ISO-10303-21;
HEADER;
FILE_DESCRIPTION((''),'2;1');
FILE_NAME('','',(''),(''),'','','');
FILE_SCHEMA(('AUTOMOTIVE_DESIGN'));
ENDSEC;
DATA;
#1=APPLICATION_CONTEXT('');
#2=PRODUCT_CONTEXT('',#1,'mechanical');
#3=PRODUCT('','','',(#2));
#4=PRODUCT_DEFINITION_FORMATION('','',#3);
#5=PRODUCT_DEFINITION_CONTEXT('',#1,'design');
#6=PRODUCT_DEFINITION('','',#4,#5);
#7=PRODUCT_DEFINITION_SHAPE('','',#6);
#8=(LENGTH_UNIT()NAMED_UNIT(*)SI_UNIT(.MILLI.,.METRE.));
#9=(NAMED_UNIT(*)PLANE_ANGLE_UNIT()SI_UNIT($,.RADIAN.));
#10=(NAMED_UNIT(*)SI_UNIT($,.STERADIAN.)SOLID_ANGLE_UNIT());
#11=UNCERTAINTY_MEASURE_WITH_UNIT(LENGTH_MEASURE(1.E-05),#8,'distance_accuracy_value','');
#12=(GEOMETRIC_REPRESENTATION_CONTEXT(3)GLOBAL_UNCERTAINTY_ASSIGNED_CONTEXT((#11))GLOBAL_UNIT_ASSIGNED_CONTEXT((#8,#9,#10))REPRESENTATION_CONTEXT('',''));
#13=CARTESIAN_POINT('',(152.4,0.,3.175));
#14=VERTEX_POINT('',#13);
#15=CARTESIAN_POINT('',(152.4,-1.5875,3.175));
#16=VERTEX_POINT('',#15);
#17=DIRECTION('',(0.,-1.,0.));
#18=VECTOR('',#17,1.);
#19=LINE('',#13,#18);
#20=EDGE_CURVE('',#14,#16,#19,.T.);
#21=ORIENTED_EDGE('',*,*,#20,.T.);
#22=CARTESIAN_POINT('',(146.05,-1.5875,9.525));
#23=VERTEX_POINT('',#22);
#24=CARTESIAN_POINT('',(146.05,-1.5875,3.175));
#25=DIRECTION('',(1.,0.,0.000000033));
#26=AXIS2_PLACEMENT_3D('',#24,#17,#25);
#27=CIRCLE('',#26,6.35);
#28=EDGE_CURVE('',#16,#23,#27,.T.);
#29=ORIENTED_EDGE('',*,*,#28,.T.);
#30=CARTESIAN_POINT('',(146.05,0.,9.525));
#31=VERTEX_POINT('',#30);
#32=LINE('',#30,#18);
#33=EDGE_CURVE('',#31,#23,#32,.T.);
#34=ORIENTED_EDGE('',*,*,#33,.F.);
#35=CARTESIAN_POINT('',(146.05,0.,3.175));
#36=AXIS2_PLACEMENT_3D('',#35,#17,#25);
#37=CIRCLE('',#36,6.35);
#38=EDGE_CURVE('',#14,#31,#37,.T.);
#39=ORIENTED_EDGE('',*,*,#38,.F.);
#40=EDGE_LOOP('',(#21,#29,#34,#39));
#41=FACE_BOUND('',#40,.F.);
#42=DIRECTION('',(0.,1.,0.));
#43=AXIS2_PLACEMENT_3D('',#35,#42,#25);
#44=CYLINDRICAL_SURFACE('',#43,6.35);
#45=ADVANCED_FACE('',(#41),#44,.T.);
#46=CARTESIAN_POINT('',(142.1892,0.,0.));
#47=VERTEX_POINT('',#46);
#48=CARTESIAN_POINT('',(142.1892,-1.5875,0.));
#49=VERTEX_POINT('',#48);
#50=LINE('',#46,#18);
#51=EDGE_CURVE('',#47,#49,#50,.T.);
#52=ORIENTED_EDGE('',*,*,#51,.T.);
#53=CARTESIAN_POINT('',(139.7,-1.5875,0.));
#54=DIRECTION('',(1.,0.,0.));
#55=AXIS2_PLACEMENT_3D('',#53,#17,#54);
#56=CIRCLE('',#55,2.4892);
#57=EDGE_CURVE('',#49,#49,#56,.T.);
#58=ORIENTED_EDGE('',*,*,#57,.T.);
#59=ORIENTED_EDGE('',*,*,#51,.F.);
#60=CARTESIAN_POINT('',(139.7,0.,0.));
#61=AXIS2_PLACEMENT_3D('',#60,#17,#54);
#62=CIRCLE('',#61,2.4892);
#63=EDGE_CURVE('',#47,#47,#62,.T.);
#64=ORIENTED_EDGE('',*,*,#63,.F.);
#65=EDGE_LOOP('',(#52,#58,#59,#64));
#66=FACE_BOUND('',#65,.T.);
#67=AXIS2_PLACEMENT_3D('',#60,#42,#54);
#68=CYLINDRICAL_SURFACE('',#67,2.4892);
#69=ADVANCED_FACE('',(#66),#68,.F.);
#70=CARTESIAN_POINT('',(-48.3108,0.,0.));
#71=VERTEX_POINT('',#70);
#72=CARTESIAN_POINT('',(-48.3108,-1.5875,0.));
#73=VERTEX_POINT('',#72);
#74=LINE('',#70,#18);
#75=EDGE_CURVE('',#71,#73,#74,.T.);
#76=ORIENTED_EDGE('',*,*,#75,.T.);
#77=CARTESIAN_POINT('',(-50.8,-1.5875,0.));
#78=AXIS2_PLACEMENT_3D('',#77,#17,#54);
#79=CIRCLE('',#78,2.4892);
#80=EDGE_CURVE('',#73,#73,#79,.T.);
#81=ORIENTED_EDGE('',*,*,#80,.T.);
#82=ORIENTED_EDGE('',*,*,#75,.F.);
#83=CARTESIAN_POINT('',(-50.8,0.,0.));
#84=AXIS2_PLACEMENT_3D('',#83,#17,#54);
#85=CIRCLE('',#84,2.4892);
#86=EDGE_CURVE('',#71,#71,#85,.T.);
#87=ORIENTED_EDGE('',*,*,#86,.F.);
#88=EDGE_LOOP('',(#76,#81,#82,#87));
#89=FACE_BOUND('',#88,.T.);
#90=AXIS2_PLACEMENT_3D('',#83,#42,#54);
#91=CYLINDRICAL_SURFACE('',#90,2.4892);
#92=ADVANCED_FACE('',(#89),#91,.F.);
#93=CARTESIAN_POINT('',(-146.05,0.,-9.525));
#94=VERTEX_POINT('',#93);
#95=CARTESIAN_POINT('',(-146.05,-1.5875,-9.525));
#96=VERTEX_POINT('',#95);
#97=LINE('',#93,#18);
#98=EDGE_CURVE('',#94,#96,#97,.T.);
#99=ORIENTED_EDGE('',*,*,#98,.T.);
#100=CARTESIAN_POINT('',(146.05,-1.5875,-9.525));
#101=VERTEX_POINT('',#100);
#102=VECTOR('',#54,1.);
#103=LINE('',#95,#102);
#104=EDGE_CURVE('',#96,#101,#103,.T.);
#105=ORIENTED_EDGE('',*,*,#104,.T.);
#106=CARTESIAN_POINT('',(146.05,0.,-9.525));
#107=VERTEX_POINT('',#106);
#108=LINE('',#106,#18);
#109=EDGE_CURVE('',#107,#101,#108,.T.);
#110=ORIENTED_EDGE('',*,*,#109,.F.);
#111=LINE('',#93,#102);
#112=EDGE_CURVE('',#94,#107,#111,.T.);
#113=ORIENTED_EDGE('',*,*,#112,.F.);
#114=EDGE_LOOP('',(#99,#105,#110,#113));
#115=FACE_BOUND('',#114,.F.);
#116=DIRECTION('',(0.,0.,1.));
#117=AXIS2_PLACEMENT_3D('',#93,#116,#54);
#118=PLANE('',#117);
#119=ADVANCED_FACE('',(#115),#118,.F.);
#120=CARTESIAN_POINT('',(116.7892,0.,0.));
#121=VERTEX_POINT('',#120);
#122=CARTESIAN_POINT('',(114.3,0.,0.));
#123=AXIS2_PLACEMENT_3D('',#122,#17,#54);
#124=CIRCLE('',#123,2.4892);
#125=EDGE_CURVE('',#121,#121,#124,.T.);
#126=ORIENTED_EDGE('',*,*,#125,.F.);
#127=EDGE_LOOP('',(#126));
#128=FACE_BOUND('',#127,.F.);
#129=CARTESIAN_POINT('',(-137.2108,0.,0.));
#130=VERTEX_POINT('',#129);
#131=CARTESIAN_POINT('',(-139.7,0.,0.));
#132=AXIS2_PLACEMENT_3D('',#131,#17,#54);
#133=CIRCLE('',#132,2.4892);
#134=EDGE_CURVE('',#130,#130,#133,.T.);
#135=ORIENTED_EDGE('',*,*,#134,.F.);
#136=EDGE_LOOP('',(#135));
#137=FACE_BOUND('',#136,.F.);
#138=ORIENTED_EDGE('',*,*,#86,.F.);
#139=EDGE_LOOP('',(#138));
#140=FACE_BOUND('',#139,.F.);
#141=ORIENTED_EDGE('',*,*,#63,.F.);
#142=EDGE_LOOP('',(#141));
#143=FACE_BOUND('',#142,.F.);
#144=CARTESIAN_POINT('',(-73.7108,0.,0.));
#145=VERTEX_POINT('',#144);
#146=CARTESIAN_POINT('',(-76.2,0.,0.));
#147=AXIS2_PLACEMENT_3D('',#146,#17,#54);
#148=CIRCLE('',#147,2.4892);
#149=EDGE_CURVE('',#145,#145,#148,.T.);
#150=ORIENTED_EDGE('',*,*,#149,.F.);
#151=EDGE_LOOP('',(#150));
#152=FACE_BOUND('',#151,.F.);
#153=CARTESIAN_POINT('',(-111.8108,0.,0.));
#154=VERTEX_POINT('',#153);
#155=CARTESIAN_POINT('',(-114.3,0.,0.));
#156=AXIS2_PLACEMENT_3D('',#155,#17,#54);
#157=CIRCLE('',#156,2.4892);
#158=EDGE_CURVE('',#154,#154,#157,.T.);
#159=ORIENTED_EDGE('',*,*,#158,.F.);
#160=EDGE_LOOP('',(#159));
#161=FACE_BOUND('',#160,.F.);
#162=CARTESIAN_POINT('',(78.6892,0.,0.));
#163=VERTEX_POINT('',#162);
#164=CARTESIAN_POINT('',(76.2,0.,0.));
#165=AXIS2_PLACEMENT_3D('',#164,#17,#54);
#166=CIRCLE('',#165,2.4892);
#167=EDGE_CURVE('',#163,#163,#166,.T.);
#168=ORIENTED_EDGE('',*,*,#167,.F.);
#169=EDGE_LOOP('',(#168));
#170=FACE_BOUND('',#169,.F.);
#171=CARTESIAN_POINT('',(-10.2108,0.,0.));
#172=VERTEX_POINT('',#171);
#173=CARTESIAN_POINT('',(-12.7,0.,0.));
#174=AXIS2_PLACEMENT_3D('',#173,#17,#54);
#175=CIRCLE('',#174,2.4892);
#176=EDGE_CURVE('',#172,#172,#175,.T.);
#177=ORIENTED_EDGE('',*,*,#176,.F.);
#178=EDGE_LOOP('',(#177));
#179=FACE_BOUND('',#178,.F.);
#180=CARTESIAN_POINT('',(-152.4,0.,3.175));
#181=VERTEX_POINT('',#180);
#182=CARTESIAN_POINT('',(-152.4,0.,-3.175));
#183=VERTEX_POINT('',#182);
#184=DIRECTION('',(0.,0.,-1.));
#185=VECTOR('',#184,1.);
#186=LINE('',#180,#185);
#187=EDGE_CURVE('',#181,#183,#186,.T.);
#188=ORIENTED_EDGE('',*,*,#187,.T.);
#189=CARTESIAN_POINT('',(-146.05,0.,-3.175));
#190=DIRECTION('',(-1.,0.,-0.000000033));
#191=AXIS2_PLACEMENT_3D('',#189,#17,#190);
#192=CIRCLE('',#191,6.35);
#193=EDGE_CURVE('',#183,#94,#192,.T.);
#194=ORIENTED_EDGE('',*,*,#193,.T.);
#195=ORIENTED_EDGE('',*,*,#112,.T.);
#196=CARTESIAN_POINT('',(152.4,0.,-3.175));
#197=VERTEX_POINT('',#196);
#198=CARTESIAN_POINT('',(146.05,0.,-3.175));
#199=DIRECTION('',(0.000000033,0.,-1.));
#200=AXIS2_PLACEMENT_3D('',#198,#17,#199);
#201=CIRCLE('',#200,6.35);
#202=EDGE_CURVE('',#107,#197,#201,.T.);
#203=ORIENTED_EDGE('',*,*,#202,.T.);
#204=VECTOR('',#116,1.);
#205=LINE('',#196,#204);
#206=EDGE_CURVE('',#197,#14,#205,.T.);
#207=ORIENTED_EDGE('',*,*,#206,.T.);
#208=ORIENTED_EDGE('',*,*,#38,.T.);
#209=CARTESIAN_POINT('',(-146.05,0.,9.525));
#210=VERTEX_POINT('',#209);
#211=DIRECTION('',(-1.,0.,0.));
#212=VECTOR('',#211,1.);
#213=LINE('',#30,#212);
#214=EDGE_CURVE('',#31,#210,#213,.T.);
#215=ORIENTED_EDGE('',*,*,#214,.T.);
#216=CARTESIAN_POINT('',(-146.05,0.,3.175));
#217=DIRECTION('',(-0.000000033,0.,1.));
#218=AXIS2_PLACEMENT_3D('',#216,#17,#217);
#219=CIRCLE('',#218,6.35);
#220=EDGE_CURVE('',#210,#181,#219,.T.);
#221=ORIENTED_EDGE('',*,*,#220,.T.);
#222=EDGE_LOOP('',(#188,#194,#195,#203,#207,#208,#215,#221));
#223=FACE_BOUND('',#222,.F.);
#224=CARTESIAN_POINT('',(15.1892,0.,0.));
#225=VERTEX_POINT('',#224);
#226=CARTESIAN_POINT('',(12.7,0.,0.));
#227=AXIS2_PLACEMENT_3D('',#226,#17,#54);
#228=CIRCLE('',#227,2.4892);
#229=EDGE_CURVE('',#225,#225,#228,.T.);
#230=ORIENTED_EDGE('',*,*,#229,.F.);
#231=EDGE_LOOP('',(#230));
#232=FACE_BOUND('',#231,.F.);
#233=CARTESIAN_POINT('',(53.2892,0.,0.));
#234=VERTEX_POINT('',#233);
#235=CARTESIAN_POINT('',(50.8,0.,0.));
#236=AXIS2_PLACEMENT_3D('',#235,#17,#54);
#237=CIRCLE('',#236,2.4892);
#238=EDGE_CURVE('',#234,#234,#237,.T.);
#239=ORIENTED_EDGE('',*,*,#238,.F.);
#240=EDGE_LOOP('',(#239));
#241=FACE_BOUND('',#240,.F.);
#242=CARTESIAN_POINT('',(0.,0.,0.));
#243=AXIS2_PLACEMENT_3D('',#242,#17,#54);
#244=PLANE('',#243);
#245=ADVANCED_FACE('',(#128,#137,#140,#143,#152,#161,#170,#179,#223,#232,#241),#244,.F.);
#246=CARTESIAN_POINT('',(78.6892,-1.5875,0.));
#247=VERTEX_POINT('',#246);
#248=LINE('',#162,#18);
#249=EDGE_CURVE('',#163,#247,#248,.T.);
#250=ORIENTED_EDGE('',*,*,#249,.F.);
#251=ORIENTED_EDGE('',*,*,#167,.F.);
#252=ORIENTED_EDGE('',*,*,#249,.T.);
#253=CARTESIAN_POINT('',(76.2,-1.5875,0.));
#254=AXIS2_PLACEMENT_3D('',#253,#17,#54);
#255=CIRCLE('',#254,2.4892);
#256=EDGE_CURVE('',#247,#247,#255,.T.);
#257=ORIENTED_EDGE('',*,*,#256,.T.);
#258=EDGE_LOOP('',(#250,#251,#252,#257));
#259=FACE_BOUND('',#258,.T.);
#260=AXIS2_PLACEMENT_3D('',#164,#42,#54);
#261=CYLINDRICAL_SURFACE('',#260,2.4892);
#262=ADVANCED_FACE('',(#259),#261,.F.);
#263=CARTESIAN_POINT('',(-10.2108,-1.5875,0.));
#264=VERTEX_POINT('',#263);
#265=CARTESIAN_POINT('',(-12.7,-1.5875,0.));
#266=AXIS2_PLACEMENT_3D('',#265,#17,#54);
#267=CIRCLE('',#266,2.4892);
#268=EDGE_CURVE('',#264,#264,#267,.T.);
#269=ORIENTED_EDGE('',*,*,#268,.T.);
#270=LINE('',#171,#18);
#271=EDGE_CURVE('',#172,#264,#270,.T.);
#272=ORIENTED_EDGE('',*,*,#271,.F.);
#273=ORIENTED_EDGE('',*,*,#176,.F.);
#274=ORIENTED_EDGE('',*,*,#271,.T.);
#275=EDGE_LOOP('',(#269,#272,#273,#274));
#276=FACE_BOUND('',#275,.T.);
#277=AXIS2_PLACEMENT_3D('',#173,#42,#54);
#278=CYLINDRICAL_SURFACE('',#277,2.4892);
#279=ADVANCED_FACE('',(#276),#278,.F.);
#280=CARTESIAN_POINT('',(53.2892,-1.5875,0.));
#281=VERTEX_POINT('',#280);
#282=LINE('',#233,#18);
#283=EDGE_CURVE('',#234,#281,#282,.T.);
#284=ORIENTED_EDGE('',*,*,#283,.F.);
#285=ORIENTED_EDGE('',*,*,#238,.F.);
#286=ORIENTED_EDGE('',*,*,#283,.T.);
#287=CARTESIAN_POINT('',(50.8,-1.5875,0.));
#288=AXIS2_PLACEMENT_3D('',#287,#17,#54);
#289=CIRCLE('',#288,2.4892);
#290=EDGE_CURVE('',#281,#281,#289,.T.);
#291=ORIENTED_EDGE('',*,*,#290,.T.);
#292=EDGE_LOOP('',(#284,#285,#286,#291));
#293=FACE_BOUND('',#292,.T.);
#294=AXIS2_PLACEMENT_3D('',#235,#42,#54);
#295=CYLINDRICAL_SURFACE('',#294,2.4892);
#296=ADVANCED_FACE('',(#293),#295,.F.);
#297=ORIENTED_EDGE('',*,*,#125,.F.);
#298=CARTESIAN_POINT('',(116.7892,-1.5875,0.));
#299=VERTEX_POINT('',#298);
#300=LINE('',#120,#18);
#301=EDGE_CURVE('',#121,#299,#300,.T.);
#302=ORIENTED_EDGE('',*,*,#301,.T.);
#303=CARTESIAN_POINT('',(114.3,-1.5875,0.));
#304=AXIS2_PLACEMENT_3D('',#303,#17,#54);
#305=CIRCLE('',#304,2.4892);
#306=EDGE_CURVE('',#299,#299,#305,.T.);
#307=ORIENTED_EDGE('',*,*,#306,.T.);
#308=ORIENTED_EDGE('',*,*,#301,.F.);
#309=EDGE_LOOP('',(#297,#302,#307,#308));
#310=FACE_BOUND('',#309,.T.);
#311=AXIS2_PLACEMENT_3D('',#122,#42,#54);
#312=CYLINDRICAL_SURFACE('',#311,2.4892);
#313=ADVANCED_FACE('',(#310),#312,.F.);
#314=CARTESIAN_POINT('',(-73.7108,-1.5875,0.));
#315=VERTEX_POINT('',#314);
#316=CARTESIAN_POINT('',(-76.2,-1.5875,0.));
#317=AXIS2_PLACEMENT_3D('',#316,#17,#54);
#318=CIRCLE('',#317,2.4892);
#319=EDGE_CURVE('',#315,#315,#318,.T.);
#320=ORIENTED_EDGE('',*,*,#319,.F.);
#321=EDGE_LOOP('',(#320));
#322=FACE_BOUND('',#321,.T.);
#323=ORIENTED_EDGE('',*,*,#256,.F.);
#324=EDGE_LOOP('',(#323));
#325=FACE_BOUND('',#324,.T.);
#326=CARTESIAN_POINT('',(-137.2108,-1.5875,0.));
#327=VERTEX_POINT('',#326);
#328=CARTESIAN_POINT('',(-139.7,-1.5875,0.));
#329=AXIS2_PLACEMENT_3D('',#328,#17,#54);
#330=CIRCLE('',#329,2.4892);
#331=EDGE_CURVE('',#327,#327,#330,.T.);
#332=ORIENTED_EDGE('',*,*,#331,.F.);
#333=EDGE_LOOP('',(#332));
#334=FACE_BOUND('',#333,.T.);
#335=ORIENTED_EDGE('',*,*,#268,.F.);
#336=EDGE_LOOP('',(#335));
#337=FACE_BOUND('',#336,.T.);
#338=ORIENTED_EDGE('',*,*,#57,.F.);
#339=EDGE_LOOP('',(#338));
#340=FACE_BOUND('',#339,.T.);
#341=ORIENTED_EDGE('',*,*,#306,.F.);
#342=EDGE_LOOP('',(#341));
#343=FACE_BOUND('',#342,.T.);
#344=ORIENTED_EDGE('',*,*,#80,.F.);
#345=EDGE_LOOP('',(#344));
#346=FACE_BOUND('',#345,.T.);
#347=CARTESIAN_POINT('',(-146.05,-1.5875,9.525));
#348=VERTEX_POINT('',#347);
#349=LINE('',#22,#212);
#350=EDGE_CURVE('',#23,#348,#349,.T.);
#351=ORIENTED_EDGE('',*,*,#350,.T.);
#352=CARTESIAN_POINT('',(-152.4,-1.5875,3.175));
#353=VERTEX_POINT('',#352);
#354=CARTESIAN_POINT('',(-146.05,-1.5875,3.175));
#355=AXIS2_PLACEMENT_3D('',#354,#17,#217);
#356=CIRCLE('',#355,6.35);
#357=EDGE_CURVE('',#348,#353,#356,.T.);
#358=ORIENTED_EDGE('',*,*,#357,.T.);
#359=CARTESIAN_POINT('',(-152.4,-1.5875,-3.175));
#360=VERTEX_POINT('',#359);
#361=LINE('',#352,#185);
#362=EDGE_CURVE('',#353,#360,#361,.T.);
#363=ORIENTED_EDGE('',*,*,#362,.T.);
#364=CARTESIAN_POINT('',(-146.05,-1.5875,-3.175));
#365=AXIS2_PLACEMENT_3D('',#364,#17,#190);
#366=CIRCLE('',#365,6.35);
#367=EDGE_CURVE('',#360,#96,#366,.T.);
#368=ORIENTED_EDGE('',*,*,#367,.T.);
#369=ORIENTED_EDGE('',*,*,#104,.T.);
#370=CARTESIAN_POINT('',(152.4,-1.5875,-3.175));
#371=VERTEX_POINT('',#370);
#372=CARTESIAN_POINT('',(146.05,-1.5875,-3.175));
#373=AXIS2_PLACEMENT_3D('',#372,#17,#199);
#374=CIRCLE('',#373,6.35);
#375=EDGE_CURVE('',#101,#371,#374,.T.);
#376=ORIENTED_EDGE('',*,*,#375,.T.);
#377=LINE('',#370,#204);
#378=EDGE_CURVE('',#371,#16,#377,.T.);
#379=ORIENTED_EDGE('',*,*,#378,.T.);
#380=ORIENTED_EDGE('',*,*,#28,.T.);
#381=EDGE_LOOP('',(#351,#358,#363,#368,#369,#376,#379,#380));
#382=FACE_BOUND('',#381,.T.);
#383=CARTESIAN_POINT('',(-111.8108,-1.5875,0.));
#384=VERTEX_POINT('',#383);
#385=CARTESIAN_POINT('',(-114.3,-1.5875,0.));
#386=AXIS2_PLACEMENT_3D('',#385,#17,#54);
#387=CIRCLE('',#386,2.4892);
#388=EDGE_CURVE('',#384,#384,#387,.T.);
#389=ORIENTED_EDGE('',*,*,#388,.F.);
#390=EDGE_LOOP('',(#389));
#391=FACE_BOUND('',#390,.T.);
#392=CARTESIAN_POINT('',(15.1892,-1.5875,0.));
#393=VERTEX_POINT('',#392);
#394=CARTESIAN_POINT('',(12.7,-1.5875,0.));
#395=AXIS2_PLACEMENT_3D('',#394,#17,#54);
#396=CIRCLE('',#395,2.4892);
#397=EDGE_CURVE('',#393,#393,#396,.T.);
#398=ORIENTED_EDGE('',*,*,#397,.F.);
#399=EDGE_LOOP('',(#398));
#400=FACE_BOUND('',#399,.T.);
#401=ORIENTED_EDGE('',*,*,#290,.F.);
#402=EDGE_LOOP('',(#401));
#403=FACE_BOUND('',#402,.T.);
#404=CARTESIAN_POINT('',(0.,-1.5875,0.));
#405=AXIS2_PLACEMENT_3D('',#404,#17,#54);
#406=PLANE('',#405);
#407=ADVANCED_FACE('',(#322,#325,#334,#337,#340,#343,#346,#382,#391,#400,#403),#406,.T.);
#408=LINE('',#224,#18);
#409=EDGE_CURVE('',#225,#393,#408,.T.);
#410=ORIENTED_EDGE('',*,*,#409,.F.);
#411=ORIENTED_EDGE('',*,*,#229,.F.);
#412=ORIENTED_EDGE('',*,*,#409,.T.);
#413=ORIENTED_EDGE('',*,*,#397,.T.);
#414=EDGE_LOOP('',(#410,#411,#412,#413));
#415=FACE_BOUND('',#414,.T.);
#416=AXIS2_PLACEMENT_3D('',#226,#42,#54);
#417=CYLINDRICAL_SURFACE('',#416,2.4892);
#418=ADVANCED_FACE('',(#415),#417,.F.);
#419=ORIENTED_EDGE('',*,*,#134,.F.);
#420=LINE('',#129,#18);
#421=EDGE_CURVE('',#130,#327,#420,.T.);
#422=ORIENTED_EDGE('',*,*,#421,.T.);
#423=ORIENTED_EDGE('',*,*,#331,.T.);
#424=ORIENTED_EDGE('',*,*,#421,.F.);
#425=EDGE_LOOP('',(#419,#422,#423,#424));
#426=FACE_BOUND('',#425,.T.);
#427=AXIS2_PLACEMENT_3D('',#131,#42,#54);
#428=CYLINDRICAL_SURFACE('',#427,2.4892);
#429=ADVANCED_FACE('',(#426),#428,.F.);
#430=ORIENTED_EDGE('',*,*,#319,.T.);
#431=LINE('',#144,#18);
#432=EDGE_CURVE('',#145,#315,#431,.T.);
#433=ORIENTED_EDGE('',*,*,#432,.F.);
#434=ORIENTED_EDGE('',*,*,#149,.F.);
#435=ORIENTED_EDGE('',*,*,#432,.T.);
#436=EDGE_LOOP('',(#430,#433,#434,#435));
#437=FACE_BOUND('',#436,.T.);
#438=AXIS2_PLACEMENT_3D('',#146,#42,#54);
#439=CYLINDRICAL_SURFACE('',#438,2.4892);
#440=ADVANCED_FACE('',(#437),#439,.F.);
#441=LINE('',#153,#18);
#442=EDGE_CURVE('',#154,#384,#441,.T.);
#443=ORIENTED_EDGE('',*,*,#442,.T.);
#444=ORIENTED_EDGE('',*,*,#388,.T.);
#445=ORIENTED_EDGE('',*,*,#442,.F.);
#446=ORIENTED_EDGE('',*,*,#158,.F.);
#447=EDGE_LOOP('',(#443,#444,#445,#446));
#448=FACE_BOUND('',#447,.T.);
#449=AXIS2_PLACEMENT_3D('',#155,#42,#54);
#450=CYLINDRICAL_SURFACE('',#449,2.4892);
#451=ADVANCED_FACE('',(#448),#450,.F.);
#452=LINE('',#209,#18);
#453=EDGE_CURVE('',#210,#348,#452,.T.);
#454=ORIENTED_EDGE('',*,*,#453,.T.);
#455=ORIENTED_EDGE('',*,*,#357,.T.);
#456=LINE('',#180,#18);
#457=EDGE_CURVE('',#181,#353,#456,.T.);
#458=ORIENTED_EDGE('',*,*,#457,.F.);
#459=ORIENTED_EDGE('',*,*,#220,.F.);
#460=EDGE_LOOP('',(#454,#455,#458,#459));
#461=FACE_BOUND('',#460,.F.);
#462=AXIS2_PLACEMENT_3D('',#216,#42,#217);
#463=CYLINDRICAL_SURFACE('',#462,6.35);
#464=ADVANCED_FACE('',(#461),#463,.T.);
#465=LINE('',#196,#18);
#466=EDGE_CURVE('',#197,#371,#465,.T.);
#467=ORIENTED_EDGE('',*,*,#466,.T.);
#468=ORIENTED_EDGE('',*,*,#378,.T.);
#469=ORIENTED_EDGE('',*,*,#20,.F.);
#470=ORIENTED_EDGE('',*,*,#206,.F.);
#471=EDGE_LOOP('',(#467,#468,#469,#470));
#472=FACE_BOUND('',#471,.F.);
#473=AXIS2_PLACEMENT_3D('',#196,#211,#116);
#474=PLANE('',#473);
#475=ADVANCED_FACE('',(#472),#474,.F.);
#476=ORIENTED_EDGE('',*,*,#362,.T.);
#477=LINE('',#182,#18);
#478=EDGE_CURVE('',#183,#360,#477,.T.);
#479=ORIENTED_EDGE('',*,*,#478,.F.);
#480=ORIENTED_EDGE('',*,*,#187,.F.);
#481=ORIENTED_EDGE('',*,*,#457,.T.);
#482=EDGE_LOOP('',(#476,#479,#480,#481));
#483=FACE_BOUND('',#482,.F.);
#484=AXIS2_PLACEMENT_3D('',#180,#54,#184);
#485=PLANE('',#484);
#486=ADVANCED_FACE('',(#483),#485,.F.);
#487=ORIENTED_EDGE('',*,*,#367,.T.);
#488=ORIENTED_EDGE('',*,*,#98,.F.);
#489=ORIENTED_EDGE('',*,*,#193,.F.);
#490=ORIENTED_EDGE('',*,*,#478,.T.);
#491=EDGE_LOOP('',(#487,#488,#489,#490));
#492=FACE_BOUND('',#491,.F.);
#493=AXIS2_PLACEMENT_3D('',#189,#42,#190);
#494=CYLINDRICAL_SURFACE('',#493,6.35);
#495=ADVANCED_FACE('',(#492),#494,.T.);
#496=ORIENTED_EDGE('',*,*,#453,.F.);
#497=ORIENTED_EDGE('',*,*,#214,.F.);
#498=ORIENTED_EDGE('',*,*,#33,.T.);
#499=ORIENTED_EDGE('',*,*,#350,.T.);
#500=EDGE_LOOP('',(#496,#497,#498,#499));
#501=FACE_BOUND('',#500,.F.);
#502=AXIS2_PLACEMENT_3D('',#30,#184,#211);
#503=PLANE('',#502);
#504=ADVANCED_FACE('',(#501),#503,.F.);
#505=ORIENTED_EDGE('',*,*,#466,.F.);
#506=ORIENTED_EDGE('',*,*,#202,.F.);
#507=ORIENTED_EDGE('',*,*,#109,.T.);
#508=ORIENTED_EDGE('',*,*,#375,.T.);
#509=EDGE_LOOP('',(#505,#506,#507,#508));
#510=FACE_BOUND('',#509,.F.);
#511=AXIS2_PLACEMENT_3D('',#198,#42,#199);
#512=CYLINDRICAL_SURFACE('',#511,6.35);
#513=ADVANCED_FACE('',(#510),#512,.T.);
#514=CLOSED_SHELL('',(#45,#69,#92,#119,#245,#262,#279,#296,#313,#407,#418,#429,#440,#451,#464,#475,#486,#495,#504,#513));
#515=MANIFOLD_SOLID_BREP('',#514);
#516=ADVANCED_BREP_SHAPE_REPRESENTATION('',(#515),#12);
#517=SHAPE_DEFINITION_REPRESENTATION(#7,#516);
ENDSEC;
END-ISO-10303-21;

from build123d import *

# Parameters (mm, degrees)
F0_R     = 2.4892
F1_DEPTH = 1.5875


with BuildPart() as f1:
    # F0 (on Front) → F1 (new body)
    with BuildSketch(Plane.XZ):
        with BuildLine():
            Line((146.05, 9.525), (-146.05, 9.525))
            ThreePointArc((-146.05, 9.525), (-150.540128, 7.665128), (-152.4, 3.175))
            Line((-152.4, 3.175), (-152.4, -3.175))
            ThreePointArc((-152.4, -3.175), (-150.540128, -7.665128), (-146.05, -9.525))
            Line((-146.05, -9.525), (-82.55, -9.525))
            Line((-82.55, -9.525), (-19.05, -9.525))
            Line((-19.05, -9.525), (146.05, -9.525))
            ThreePointArc((146.05, -9.525), (150.540128, -7.665128), (152.4, -3.175))
            Line((152.4, -3.175), (152.4, 3.175))
            ThreePointArc((152.4, 3.175), (150.540128, 7.665128), (146.05, 9.525))
        make_face()
        with Locations((-139.7, 0)):
            Circle(F0_R, mode=Mode.SUBTRACT)
        with Locations((-114.3, 0)):
            Circle(F0_R, mode=Mode.SUBTRACT)
        with Locations((-76.2, 0)):
            Circle(F0_R, mode=Mode.SUBTRACT)
        with Locations((-50.8, 0)):
            Circle(F0_R, mode=Mode.SUBTRACT)
        with Locations((-12.7, 0)):
            Circle(F0_R, mode=Mode.SUBTRACT)
        with Locations((12.7, 0)):
            Circle(F0_R, mode=Mode.SUBTRACT)
        with Locations((50.8, 0)):
            Circle(F0_R, mode=Mode.SUBTRACT)
        with Locations((76.2, 0)):
            Circle(F0_R, mode=Mode.SUBTRACT)
        with Locations((114.3, 0)):
            Circle(F0_R, mode=Mode.SUBTRACT)
        with Locations((139.7, 0)):
            Circle(F0_R, mode=Mode.SUBTRACT)
    extrude(amount=F1_DEPTH)


solid = f1.part
